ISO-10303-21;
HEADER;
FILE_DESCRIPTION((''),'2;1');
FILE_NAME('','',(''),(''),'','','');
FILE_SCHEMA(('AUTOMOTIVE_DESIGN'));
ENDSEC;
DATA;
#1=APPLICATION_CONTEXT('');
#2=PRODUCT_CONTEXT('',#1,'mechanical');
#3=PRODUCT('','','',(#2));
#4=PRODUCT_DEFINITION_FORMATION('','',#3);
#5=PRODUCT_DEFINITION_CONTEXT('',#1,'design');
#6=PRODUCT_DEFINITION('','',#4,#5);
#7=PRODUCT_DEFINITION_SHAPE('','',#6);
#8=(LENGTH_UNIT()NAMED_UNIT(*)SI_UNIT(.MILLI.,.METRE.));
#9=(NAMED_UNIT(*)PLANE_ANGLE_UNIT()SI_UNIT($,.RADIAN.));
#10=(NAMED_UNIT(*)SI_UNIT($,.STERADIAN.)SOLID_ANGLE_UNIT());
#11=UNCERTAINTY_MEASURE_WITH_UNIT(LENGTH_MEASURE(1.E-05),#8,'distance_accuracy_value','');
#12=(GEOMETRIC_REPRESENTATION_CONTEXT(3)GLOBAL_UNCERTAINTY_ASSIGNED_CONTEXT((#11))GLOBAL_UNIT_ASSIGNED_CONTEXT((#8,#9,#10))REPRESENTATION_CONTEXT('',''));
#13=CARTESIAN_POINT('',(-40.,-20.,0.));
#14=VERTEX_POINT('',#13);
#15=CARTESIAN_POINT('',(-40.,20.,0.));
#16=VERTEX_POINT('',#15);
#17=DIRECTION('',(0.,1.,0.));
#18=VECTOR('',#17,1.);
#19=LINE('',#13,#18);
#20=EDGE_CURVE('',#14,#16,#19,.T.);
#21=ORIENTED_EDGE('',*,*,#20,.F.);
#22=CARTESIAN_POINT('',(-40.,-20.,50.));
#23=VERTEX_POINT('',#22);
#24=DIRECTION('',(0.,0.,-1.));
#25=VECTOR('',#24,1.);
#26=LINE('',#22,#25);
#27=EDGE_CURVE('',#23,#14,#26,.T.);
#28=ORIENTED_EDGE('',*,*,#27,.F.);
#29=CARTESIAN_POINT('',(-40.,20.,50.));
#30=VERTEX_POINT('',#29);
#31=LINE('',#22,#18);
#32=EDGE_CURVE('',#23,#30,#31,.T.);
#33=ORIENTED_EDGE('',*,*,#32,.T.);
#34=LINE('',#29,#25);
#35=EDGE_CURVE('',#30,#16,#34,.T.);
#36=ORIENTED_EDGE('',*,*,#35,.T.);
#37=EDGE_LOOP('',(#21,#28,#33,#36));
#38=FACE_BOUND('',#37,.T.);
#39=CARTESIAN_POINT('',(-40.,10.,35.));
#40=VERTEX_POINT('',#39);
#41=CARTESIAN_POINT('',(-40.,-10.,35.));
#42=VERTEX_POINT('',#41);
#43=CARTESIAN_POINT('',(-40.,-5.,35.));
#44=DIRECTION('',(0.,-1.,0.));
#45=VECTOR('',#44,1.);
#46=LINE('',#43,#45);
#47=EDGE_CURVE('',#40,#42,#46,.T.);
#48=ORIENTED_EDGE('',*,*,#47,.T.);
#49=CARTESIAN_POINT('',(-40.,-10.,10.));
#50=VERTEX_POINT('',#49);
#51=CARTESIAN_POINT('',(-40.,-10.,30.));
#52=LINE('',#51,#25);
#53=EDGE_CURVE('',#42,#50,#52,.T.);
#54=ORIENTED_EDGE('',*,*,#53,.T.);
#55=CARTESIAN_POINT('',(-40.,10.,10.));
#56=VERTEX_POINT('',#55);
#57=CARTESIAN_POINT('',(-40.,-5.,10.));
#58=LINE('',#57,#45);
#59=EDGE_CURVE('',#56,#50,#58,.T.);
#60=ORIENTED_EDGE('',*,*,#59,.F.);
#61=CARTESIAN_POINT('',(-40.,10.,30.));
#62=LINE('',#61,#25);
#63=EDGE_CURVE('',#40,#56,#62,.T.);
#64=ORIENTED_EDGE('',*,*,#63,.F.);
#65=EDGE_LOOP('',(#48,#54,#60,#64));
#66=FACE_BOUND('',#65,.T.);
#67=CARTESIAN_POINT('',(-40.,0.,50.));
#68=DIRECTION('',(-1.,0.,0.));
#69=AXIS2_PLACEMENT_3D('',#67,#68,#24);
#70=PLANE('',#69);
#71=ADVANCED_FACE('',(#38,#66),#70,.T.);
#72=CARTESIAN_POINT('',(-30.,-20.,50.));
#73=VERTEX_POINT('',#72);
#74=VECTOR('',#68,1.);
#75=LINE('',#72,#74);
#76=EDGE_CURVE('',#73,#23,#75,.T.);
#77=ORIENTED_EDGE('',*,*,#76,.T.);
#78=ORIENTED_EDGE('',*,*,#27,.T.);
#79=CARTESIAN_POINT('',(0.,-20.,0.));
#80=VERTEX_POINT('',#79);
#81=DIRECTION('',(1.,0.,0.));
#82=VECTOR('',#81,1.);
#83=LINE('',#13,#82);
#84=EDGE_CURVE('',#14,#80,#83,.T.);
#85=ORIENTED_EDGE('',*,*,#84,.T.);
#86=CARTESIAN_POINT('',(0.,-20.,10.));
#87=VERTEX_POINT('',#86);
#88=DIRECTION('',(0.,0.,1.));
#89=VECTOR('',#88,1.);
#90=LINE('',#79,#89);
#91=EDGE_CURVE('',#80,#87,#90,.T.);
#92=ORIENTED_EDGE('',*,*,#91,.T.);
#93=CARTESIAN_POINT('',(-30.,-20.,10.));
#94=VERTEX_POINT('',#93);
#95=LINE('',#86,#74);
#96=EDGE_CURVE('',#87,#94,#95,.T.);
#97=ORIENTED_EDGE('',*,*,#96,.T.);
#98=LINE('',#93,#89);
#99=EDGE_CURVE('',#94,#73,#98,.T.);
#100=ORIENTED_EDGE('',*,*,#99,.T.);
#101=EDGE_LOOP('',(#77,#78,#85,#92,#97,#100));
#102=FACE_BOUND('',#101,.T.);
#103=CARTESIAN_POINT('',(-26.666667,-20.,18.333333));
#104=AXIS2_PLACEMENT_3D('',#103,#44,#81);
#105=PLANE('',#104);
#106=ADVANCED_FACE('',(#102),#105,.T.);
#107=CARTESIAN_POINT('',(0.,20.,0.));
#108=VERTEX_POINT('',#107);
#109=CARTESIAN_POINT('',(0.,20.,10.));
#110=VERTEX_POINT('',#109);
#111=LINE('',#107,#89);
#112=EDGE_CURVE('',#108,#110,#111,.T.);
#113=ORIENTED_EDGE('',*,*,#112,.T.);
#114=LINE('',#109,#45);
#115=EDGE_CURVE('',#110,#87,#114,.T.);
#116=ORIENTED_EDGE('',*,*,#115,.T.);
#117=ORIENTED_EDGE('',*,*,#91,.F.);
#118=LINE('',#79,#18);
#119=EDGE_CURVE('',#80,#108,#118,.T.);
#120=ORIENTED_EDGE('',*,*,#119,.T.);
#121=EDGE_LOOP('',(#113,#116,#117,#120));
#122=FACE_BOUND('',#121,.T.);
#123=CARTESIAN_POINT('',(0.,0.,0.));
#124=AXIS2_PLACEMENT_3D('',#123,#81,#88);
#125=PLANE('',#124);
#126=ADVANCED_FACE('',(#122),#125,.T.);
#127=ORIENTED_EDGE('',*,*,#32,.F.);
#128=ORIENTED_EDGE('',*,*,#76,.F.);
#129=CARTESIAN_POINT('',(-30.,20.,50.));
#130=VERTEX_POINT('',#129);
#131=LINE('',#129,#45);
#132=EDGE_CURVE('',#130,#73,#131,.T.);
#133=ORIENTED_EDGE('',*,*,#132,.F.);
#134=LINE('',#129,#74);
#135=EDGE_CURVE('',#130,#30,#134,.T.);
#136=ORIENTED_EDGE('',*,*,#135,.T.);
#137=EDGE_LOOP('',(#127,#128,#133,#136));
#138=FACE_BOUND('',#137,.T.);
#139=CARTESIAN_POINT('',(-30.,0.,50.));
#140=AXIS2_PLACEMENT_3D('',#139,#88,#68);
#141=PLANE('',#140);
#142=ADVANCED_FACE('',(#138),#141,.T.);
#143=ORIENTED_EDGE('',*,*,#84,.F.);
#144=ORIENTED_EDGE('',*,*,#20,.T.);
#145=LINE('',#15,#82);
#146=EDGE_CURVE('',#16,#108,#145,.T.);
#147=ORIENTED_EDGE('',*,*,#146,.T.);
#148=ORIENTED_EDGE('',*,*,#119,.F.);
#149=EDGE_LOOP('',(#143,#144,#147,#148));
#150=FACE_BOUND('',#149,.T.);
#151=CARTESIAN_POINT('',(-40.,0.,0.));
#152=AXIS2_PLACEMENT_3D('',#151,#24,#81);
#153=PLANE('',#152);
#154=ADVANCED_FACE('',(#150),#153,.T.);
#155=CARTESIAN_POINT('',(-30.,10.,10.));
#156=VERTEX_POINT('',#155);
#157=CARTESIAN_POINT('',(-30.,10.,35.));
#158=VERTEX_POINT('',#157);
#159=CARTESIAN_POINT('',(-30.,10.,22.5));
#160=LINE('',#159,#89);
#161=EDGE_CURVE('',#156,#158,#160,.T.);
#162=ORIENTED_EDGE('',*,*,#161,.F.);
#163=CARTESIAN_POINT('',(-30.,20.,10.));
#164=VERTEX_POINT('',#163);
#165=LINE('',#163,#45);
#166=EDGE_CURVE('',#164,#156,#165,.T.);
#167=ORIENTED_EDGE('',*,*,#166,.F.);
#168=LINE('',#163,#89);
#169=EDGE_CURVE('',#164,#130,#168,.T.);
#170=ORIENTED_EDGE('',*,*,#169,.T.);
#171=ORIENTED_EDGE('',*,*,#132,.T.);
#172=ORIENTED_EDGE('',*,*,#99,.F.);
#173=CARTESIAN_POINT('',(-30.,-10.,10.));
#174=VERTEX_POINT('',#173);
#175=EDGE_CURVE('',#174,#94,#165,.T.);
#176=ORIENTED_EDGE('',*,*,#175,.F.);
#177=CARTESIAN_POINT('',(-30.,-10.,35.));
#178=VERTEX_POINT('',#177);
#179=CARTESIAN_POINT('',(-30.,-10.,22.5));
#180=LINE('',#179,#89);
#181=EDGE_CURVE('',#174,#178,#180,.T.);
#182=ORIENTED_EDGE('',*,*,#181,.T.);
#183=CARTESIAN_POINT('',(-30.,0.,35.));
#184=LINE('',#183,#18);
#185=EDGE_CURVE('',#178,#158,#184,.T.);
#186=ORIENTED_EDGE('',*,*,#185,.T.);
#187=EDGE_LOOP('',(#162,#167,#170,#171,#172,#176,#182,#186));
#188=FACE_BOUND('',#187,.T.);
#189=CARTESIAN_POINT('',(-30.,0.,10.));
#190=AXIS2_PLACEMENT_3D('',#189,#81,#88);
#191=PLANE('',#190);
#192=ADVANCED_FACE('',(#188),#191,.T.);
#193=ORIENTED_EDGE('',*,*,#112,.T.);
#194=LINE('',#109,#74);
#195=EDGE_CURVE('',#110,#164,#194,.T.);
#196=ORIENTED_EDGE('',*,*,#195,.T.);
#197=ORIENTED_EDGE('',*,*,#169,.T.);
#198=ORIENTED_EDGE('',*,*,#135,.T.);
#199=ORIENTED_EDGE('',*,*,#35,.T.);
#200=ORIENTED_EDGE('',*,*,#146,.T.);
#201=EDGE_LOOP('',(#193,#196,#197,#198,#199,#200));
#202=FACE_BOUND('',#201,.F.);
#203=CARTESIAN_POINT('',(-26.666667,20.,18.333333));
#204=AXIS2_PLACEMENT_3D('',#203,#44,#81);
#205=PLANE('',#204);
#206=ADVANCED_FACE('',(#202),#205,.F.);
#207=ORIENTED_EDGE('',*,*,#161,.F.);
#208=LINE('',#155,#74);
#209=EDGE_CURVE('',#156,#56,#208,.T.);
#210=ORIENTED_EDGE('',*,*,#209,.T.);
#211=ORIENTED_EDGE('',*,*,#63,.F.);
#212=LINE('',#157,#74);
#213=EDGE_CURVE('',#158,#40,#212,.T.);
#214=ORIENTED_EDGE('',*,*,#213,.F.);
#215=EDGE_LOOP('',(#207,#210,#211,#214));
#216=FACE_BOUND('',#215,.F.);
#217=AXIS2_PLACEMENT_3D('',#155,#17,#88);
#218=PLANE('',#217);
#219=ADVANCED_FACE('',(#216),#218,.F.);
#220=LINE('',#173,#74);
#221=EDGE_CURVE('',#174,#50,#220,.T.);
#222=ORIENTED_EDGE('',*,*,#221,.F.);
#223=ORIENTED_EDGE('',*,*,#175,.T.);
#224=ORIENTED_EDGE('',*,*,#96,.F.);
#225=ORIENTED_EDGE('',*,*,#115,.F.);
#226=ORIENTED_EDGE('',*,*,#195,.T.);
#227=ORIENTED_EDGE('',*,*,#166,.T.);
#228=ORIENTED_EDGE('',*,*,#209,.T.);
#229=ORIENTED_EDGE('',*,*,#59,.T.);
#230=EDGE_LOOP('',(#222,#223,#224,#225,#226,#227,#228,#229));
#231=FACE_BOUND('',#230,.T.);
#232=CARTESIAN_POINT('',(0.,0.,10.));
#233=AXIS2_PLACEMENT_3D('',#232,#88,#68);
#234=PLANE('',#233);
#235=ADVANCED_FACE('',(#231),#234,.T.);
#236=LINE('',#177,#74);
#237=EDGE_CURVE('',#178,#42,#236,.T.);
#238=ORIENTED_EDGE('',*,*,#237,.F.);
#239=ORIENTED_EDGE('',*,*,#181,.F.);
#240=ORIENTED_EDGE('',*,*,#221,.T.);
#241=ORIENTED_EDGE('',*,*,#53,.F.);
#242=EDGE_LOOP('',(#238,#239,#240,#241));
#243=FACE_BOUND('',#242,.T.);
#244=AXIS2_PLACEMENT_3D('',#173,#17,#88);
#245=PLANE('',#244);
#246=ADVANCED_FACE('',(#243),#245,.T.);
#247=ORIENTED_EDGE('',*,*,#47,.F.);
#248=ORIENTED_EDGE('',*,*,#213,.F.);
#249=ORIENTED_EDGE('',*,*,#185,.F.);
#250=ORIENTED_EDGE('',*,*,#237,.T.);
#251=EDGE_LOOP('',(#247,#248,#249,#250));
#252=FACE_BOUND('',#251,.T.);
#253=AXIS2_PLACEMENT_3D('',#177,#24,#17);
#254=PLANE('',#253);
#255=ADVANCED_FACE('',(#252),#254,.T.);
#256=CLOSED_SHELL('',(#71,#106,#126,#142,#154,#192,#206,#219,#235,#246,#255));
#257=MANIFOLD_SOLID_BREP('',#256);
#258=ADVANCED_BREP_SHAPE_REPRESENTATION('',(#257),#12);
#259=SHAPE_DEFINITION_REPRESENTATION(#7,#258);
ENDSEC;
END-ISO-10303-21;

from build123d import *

# Parameters (mm, degrees)
F1_DEPTH = 20
F2_W     = 20
F2_H     = 25
F3_DEPTH = 25.4


with BuildPart() as f1:
    # F0 (on Front) → F1 (new body, symmetric)
    with BuildSketch(Plane.XZ):
        Polygon((0, 0), (0, 10), (-30, 10), (-30, 50), (-40, 50), (-40, 0), align=None)
    extrude(amount=F1_DEPTH, both=True)

    # F2 (on face) → F3 (cut)
    with BuildSketch(Plane.YZ.offset(-30)):
        with Locations((0, 22.5)):
            Rectangle(F2_W, F2_H)
    extrude(amount=-F3_DEPTH, mode=Mode.SUBTRACT)


solid = f1.part
